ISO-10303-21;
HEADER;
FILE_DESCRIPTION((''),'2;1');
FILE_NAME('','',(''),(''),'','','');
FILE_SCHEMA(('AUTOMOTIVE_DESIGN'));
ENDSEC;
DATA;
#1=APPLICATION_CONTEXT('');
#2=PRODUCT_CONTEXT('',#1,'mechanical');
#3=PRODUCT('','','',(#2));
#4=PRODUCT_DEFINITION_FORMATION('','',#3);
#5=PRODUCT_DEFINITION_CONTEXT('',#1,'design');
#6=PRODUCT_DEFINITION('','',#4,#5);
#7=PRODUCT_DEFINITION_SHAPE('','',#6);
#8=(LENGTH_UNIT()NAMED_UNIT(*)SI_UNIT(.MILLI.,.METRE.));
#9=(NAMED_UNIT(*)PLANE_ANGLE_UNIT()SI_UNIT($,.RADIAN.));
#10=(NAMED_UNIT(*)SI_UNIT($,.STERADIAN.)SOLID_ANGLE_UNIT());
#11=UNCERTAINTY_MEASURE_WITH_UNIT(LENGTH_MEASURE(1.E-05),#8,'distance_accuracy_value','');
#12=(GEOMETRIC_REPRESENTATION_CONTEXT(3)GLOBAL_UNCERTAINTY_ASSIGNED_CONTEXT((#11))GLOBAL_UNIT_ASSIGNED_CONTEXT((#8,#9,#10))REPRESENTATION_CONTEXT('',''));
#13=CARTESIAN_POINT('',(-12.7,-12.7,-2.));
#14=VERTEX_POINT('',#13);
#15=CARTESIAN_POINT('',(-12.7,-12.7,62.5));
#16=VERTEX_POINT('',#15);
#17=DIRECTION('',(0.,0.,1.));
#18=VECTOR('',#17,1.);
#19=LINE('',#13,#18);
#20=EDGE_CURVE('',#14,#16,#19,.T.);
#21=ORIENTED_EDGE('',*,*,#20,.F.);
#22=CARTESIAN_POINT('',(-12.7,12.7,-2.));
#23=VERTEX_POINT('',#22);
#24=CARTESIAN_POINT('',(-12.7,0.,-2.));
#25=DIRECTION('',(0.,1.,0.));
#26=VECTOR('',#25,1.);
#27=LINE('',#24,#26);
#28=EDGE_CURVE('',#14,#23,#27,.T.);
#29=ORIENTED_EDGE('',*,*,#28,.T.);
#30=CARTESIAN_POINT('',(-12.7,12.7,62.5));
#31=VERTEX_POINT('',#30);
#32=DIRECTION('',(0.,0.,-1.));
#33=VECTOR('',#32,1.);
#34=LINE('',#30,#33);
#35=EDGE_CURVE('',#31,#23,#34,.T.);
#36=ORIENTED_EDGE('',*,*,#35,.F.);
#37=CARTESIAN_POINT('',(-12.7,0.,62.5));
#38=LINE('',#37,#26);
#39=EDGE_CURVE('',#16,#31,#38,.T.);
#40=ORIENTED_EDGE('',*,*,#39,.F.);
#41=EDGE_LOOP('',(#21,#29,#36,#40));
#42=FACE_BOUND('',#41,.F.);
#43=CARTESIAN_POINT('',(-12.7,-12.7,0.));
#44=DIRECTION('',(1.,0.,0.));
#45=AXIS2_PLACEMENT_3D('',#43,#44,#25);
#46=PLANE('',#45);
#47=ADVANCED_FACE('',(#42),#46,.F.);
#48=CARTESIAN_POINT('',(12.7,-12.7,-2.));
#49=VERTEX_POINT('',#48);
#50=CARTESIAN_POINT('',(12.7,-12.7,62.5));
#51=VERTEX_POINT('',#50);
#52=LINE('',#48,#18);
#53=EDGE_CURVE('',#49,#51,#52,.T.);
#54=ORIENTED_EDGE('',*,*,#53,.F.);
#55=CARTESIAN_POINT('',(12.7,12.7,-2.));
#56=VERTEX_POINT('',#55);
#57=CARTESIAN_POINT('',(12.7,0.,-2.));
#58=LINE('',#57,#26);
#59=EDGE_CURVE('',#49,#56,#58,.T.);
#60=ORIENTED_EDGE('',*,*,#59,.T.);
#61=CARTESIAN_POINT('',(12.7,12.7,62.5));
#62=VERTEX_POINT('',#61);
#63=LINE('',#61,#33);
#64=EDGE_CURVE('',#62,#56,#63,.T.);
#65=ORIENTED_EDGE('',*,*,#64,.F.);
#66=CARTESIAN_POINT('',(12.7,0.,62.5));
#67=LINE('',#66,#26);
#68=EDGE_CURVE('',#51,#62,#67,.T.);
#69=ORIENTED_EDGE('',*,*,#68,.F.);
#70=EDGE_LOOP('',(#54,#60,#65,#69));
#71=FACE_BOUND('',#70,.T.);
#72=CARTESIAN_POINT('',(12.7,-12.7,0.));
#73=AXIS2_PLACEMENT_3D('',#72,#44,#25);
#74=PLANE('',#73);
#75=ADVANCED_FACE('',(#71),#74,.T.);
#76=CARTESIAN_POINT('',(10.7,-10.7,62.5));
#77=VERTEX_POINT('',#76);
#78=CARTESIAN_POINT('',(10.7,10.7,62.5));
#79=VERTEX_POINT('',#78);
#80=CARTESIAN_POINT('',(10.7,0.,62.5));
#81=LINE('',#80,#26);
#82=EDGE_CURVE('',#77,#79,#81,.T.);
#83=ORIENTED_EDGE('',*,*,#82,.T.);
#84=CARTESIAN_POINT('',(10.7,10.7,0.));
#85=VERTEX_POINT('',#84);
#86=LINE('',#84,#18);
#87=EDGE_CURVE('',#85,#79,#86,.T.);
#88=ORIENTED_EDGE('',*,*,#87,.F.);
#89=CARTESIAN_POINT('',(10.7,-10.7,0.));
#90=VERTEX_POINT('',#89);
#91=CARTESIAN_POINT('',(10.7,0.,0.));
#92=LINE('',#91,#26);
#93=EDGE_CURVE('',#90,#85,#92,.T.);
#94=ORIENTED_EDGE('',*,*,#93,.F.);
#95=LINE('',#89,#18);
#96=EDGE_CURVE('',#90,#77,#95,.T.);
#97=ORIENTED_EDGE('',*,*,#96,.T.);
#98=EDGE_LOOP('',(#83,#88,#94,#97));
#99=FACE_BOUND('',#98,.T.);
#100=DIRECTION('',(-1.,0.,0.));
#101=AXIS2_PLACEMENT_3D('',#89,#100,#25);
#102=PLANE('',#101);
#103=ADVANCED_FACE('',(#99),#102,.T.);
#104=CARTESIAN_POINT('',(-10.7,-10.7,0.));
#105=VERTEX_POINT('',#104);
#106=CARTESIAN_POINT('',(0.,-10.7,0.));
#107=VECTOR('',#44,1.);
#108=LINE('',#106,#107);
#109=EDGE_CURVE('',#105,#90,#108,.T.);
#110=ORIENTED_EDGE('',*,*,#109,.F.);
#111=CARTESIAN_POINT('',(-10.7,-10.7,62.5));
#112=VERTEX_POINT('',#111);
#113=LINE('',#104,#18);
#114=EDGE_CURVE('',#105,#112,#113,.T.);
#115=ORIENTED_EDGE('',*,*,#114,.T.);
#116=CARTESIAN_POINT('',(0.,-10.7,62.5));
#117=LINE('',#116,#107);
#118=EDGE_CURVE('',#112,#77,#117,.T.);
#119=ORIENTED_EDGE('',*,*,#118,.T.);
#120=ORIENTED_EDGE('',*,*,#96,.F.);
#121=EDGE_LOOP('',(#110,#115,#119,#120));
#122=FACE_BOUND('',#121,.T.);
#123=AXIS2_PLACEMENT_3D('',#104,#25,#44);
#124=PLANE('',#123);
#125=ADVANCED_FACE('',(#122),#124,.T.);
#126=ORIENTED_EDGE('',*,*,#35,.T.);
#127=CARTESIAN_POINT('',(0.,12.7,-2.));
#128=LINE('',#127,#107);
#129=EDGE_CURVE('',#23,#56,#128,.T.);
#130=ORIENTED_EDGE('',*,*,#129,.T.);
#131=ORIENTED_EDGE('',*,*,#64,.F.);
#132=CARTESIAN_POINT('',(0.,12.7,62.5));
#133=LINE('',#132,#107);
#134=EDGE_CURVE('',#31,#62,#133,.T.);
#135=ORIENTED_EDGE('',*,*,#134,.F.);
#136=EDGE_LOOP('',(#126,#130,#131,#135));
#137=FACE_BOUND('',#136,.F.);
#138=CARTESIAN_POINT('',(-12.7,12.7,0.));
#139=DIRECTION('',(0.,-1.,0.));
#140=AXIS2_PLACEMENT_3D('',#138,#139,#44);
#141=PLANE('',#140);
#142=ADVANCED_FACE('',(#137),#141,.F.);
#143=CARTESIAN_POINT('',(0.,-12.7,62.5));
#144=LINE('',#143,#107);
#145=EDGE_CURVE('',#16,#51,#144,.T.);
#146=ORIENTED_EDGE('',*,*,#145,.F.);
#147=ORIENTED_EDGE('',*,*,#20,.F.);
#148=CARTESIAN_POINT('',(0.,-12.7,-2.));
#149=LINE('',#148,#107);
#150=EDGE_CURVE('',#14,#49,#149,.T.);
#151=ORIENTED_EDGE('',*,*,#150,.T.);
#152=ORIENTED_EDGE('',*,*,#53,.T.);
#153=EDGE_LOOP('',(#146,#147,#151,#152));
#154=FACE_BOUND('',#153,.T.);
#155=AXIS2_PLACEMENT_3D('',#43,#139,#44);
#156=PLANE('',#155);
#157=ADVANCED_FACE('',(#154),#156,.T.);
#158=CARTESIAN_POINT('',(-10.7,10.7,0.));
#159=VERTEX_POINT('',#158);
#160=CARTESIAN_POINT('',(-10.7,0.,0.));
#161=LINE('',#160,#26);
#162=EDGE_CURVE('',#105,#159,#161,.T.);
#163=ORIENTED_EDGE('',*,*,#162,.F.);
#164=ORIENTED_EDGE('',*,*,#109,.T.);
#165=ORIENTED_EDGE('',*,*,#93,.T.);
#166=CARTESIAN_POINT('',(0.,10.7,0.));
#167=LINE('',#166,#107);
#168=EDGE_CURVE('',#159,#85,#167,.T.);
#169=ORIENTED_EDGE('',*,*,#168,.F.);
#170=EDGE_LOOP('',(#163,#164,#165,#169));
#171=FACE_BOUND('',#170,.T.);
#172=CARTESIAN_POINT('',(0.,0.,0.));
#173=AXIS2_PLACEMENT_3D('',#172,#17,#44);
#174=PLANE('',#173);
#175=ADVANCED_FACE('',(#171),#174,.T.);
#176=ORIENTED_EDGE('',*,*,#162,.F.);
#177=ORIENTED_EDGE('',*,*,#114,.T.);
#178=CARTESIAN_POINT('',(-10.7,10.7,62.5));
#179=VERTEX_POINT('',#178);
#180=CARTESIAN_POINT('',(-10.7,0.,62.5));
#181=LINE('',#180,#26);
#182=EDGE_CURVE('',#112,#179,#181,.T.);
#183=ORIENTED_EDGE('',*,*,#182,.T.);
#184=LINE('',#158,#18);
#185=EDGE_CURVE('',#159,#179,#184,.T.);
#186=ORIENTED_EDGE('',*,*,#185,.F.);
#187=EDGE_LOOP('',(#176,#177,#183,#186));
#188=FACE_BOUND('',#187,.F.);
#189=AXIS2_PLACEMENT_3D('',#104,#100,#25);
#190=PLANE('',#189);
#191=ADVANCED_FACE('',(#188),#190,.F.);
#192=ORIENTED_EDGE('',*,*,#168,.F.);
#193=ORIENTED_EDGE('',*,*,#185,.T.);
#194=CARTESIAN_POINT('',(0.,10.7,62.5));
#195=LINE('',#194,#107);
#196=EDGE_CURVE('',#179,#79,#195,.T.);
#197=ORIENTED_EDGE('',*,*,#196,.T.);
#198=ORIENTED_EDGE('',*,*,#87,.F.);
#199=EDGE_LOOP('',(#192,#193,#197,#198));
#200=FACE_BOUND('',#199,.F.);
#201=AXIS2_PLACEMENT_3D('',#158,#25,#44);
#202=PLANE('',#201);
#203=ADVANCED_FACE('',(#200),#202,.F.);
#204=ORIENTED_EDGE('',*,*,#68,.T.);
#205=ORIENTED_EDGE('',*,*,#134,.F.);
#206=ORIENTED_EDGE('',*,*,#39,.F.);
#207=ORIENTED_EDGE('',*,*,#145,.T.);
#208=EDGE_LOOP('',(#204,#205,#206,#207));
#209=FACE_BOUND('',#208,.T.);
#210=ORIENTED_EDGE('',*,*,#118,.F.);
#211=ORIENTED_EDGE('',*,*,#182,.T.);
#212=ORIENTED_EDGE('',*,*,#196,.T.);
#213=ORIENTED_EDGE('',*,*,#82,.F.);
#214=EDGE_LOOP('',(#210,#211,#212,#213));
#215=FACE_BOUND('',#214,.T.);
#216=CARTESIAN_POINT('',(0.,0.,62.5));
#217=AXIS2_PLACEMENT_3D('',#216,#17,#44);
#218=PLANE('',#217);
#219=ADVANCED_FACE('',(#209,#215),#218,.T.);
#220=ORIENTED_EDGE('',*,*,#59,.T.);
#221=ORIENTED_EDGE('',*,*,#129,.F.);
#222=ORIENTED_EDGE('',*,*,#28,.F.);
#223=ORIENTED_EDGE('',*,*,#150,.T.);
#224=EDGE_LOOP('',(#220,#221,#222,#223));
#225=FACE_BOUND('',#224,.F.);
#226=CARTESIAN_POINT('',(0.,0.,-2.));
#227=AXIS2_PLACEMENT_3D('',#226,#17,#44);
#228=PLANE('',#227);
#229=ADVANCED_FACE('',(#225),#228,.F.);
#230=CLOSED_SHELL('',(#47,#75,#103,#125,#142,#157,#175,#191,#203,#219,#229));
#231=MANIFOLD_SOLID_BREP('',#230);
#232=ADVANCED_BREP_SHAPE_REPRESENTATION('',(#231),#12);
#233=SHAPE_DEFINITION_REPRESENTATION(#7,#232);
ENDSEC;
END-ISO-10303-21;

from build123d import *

# Parameters (mm, degrees)
F0_W     = 25.4
F0_H     = 25.4
F0_W_2   = 21.4
F0_H_2   = 21.4
F1_DEPTH = 62.5
F2_DEPTH = 2


with BuildPart() as f1:
    # F0 (on Top) → F1 (new body)
    with BuildSketch(Plane.XY):
        Rectangle(F0_W, F0_H)
        Rectangle(F0_W_2, F0_H_2, mode=Mode.SUBTRACT)
    extrude(amount=F1_DEPTH)

    # F0 (on Top) → F2 (join)
    with BuildSketch(Plane.XY):
        Rectangle(F0_W, F0_H)
        Rectangle(F0_W_2, F0_H_2, mode=Mode.SUBTRACT)
        Rectangle(F0_W_2, F0_H_2)
    extrude(amount=-F2_DEPTH)


solid = f1.part
